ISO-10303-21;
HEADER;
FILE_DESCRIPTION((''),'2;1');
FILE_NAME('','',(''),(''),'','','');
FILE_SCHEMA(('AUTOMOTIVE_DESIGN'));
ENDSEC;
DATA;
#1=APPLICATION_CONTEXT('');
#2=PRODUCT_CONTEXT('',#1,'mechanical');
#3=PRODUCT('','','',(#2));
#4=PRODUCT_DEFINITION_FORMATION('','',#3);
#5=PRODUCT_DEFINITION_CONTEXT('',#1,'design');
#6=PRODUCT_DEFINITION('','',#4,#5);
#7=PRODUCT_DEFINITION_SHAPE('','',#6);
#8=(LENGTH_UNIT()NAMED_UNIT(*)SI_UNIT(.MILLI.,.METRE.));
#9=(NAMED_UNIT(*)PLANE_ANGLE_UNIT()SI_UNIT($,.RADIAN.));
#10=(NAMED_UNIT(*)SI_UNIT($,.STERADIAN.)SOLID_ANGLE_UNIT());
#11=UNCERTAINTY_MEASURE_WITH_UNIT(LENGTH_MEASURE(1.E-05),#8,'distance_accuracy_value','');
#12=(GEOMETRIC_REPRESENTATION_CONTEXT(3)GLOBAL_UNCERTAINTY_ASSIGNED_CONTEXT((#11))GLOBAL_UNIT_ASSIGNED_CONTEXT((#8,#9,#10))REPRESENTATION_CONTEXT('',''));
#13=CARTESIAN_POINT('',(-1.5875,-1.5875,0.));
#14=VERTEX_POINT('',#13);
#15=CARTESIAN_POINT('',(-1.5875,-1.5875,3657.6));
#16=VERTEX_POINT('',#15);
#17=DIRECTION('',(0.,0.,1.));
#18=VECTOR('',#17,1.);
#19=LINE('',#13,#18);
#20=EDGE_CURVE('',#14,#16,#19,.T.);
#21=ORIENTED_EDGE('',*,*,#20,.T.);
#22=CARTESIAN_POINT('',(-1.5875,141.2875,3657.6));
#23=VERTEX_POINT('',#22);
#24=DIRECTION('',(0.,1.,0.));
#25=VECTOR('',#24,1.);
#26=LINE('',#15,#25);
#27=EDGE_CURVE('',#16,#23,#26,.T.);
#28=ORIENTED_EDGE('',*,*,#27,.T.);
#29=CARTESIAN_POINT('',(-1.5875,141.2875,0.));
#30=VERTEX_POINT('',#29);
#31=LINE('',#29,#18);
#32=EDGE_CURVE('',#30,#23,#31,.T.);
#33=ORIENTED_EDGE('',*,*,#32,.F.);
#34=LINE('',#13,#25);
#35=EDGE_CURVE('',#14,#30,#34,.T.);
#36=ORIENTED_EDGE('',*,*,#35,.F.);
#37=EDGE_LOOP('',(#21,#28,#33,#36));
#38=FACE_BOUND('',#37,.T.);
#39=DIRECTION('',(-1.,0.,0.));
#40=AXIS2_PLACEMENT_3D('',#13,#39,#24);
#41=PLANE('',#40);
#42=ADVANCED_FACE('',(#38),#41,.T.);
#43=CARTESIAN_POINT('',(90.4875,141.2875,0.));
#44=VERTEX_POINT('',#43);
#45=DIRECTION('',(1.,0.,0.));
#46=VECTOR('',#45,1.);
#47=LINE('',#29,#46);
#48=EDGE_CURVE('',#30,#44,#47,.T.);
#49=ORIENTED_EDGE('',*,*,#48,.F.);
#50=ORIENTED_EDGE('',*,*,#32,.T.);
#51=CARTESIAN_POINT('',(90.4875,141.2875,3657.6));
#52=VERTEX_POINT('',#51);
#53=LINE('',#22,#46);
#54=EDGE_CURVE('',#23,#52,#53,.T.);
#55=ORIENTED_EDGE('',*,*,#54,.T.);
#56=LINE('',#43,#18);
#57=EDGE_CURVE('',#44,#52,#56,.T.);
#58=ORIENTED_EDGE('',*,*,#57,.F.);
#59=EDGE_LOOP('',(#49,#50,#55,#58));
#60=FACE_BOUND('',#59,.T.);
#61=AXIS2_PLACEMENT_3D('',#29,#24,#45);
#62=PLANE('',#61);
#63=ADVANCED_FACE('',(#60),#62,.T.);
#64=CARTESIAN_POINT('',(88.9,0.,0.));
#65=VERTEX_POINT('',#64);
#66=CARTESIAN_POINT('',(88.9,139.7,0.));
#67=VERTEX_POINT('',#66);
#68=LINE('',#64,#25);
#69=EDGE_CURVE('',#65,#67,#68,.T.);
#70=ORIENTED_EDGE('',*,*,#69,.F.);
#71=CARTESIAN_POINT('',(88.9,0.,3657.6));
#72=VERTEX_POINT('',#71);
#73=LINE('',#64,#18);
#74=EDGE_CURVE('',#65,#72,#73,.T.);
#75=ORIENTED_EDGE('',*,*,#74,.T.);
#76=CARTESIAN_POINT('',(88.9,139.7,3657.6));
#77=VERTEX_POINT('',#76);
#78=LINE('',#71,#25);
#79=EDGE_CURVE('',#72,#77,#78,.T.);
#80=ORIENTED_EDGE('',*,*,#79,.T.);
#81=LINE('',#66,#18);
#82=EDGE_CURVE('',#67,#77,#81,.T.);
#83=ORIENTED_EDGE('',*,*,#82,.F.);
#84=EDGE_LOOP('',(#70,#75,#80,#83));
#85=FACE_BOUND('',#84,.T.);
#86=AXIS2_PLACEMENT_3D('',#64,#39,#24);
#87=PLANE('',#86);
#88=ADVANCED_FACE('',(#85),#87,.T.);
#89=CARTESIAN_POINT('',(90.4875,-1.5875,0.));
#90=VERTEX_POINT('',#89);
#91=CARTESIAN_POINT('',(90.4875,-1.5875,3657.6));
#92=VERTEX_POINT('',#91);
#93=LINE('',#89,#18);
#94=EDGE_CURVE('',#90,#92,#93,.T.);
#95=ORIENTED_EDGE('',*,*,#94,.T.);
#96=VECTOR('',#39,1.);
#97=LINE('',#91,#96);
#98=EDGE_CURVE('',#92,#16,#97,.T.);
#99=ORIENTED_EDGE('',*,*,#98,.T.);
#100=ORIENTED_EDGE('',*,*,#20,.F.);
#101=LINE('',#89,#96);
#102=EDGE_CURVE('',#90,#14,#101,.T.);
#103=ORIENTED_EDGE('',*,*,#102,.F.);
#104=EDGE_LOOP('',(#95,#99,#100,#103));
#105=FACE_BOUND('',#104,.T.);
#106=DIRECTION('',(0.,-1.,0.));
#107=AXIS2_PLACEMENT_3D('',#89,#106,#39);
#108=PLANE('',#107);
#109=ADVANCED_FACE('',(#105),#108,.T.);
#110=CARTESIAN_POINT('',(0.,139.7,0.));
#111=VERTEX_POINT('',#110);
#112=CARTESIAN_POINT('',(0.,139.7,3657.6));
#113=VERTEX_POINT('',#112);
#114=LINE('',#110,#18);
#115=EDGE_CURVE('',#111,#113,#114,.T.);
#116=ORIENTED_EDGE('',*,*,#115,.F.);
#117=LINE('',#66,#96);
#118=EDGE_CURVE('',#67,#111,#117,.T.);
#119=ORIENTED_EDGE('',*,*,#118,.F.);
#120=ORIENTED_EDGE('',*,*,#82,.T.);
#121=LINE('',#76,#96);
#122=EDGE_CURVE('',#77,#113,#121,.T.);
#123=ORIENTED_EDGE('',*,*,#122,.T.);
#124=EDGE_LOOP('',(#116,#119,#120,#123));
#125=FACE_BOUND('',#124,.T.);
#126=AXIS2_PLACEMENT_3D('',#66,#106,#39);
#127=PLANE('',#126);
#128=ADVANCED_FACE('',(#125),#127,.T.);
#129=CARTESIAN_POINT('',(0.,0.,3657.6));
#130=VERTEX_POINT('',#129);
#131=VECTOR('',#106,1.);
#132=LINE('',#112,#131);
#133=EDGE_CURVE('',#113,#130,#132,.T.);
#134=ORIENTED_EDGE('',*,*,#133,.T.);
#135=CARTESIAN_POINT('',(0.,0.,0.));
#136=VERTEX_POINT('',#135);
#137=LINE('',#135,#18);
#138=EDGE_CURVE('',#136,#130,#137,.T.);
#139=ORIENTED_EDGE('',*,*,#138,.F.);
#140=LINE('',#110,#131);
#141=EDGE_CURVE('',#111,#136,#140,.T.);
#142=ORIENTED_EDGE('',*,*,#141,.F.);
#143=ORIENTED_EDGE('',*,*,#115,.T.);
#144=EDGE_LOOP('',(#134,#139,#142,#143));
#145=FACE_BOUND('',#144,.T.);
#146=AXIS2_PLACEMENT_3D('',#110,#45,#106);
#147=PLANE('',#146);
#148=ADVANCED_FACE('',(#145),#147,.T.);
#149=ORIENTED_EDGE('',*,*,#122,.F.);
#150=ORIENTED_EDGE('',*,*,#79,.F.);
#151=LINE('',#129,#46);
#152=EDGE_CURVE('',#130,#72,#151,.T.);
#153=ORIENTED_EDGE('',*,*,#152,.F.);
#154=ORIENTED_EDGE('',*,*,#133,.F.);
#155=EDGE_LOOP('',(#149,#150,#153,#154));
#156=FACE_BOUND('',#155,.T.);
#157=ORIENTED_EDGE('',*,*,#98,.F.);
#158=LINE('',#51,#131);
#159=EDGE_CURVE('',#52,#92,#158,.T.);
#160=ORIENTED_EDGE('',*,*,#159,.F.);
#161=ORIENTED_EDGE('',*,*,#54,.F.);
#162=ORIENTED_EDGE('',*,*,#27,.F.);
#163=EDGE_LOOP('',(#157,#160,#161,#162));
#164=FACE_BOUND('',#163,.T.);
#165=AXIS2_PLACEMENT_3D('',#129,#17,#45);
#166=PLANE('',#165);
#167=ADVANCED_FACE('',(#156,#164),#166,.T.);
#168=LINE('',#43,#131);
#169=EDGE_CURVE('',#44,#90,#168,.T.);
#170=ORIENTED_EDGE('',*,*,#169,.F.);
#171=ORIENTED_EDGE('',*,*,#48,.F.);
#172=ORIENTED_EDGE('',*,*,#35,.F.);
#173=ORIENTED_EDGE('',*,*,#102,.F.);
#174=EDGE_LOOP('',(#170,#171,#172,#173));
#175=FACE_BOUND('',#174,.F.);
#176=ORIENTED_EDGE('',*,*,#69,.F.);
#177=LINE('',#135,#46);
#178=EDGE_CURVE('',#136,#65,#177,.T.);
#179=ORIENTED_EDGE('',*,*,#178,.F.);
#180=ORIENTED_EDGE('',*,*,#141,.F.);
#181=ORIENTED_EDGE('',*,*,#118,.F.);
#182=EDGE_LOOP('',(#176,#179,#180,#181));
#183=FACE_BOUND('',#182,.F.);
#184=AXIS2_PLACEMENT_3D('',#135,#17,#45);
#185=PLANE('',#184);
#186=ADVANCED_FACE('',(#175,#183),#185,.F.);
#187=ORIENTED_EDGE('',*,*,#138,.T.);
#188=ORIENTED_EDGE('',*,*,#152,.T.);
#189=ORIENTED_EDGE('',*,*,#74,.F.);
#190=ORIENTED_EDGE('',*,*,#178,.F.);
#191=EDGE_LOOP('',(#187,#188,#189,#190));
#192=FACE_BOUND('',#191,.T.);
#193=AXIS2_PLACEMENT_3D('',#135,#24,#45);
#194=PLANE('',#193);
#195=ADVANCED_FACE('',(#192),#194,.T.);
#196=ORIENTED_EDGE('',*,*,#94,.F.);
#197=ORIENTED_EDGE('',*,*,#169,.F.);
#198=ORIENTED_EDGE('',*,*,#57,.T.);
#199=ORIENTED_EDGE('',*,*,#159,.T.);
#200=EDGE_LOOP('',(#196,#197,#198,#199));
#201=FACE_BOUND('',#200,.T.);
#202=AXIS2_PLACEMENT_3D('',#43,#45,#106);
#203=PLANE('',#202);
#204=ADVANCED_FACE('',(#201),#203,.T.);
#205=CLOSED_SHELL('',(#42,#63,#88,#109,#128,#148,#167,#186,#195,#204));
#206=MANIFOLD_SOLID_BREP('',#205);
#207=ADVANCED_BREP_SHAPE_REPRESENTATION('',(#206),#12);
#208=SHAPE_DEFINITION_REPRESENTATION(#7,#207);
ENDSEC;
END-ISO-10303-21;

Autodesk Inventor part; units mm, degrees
ref_plane "YZ Plane" through (0, 0, 0) normal (1, 0, 0) x (0, 1, 0)
ref_plane "XZ Plane" through (0, 0, 0) normal (0, 1, 0) x (-1, 0, 0)
ref_plane "XY Plane" through (0, 0, 0) normal (0, 0, 1) x (1, 0, 0)
sketch "Sketch1" plane through (0, 0, 0) normal (0, 0, 1) x (1, 0, 0)
  line L0 (0, 0) -> (88.9, 0)
  line L1 (88.9, 0) -> (88.9, 139.7)
  line L2 (88.9, 139.7) -> (0, 139.7)
  line L3 (0, 139.7) -> (0, 0)
  line L4 (-1.5875, 141.2875) -> (90.4875, 141.2875)
  line L5 (90.4875, 141.2875) -> (90.4875, -1.5875)
  line L6 (90.4875, -1.5875) -> (-1.5875, -1.5875)
  line L7 (-1.5875, -1.5875) -> (-1.5875, 141.2875)
  dimension "d1" = 139.7
  dimension "d2" = 88.9
  dimension "d3" = 1.5875
extrude "Extrusion1" add sketch "Sketch1" along normal blind 3657.6
properties part number "Tube_Of_Underlayment_For_Beam" material "Rubber"
